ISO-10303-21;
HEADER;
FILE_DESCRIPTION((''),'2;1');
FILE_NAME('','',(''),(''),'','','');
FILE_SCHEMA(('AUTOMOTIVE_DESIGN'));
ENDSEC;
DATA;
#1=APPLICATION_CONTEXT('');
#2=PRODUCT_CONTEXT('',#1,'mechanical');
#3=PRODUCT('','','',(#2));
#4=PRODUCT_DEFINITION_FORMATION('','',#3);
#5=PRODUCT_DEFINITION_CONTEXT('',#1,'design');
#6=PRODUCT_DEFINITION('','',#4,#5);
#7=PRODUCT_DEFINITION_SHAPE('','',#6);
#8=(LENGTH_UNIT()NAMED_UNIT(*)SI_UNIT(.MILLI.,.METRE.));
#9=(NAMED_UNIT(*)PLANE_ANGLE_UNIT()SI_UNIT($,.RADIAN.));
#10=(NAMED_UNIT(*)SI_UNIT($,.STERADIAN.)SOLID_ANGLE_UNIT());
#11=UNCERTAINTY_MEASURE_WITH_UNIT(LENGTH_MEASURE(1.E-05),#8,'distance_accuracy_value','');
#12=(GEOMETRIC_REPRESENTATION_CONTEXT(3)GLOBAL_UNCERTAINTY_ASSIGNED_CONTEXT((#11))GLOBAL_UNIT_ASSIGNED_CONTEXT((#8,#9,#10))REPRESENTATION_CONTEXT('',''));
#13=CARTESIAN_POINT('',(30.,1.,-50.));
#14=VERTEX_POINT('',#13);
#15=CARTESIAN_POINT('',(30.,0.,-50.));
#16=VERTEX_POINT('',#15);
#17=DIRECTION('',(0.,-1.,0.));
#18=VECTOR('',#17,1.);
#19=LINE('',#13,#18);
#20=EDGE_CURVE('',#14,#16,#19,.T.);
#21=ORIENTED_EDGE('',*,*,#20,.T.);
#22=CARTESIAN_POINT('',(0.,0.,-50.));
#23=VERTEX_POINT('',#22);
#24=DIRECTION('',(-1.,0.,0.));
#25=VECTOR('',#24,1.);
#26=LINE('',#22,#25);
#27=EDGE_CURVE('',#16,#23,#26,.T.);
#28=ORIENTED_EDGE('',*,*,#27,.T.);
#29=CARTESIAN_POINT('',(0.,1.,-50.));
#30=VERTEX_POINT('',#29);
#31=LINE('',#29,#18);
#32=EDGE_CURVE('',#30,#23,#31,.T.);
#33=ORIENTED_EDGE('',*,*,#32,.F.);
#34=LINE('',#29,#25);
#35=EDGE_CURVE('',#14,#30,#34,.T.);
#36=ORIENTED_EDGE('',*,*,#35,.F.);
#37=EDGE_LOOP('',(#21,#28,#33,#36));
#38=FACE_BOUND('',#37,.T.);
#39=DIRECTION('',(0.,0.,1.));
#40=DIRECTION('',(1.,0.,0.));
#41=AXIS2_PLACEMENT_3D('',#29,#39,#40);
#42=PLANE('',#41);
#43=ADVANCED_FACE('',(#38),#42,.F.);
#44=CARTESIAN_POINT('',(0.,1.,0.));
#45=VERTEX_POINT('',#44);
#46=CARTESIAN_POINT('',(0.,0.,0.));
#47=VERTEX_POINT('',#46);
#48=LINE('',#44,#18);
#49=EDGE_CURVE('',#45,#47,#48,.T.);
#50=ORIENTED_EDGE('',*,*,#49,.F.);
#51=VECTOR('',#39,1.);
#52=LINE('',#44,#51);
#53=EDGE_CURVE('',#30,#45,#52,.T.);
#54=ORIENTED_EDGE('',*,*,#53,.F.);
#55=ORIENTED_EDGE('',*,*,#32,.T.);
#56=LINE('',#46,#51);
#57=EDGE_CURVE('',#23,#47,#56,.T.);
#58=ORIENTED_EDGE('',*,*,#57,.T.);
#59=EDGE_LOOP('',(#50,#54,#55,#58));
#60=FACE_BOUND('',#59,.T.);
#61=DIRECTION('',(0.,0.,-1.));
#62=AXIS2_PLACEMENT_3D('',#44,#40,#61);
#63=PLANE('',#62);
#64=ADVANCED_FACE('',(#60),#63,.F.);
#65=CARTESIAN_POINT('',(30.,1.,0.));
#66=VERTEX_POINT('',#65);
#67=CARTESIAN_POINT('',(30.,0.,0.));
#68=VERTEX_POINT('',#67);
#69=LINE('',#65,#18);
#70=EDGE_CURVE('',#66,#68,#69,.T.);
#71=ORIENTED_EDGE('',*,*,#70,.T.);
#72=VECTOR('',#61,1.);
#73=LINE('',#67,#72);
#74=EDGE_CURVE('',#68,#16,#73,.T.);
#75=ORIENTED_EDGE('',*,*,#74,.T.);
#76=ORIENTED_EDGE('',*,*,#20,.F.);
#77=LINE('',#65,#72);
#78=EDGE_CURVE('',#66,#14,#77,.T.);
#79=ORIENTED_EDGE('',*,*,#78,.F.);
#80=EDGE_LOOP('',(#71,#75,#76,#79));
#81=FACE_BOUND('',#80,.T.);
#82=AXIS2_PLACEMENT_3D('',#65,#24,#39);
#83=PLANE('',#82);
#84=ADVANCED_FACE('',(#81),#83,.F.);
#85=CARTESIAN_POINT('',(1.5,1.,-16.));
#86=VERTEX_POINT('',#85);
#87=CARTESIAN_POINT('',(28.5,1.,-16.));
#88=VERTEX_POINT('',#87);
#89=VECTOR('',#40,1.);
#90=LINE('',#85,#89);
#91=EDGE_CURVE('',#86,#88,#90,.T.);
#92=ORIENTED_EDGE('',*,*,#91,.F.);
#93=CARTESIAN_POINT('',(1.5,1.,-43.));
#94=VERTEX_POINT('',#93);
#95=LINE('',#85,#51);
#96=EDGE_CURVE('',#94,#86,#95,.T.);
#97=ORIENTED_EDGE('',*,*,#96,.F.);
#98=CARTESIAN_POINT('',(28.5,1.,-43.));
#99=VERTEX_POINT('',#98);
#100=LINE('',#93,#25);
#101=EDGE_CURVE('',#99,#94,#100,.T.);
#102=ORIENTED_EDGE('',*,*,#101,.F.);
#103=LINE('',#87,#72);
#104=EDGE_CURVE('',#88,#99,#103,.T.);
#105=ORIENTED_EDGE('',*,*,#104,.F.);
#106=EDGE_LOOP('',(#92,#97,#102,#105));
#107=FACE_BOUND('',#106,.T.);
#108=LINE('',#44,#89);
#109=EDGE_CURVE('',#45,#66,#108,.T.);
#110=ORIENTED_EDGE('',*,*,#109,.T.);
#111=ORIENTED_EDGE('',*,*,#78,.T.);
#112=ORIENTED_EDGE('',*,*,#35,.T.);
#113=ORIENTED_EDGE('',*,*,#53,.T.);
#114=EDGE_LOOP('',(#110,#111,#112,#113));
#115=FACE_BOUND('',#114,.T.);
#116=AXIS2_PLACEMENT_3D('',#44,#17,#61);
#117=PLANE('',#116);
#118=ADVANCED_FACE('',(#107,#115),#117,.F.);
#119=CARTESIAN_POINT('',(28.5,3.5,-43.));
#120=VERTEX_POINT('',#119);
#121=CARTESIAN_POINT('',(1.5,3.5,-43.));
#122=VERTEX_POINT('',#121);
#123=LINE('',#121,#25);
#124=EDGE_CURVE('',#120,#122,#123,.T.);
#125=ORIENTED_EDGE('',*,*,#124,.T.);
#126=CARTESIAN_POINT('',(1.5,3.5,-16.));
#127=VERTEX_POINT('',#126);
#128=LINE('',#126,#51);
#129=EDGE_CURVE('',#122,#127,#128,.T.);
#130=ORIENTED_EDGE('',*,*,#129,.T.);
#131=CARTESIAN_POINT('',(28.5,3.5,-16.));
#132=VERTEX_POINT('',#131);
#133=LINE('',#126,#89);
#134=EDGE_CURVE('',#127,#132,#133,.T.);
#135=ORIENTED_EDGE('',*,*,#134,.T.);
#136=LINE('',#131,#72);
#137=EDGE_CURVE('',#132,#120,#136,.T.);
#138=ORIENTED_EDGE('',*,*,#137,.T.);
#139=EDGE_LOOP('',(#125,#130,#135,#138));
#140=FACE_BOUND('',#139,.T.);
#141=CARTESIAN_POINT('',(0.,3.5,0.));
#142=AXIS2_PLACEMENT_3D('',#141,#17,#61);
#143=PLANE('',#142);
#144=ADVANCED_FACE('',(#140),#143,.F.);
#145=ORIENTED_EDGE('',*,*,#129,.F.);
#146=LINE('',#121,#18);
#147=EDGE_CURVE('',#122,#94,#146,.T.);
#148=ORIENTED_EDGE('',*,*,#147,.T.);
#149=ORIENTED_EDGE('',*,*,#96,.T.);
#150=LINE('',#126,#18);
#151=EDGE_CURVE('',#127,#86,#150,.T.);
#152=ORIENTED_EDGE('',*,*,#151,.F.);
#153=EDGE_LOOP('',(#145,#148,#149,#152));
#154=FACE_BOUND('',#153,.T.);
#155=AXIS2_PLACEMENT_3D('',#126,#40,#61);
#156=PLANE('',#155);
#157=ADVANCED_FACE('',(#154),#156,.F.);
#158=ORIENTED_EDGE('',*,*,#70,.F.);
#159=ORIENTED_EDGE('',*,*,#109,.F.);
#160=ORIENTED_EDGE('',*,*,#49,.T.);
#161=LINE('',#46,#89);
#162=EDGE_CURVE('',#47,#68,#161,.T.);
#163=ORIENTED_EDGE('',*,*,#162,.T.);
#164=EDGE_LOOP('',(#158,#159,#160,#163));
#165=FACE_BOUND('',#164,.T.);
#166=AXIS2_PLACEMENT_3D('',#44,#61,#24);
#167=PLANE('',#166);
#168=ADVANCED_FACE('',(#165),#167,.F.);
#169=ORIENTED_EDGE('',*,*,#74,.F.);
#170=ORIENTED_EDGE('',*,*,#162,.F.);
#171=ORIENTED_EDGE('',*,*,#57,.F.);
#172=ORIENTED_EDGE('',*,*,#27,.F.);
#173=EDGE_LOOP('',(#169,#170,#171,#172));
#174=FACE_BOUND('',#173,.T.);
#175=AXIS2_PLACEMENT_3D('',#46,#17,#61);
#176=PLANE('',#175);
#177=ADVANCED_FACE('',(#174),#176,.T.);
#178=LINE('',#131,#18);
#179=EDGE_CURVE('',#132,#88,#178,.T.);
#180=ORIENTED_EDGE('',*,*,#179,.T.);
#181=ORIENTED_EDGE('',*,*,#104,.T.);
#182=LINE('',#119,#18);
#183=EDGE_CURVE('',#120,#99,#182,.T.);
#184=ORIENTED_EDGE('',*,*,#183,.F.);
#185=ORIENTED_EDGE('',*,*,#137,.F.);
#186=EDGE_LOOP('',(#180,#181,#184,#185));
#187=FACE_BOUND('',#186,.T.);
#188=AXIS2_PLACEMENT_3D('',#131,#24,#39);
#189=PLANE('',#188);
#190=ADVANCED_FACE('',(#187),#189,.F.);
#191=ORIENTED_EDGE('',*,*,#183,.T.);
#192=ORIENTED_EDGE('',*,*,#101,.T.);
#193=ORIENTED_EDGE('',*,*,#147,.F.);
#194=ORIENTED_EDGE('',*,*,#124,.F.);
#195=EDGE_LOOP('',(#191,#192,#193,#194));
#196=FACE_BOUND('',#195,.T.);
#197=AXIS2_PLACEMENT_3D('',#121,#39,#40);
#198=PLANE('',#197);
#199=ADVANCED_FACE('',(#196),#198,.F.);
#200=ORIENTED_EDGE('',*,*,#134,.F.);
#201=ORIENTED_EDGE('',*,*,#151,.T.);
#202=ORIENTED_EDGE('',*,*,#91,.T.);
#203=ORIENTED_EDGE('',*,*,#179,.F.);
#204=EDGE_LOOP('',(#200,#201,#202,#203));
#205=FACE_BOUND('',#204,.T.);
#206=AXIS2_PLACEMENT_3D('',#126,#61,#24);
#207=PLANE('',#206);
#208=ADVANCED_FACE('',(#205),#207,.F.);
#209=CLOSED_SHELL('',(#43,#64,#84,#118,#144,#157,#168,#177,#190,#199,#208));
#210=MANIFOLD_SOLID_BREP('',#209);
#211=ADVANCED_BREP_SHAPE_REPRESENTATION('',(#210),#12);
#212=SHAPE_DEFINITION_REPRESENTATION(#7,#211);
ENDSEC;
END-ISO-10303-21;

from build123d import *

# Parameters (mm, degrees)
SKETCH1_W           = 30
SKETCH1_H           = 50
BOSS_EXTRUDE1_DEPTH = 1
SKETCH2_W           = 27
SKETCH2_H           = 27
BOSS_EXTRUDE2_DEPTH = 2.5


with BuildPart() as part:
    # Sketch1 → Boss-Extrude1 (new body)
    with BuildSketch(Plane(origin=(0, 0, 0), x_dir=(1, 0, 0), z_dir=(0, 1, 0))):
        with Locations((15, 25)):
            Rectangle(SKETCH1_W, SKETCH1_H)
    extrude(amount=BOSS_EXTRUDE1_DEPTH)

    # Sketch2 → Boss-Extrude2 (add)
    with BuildSketch(Plane(origin=(0, 1, 0), x_dir=(1, 0, 0), z_dir=(0, 1, 0))):
        with Locations((15, 29.5)):
            Rectangle(SKETCH2_W, SKETCH2_H)
    extrude(amount=BOSS_EXTRUDE2_DEPTH)


solid = part.part
